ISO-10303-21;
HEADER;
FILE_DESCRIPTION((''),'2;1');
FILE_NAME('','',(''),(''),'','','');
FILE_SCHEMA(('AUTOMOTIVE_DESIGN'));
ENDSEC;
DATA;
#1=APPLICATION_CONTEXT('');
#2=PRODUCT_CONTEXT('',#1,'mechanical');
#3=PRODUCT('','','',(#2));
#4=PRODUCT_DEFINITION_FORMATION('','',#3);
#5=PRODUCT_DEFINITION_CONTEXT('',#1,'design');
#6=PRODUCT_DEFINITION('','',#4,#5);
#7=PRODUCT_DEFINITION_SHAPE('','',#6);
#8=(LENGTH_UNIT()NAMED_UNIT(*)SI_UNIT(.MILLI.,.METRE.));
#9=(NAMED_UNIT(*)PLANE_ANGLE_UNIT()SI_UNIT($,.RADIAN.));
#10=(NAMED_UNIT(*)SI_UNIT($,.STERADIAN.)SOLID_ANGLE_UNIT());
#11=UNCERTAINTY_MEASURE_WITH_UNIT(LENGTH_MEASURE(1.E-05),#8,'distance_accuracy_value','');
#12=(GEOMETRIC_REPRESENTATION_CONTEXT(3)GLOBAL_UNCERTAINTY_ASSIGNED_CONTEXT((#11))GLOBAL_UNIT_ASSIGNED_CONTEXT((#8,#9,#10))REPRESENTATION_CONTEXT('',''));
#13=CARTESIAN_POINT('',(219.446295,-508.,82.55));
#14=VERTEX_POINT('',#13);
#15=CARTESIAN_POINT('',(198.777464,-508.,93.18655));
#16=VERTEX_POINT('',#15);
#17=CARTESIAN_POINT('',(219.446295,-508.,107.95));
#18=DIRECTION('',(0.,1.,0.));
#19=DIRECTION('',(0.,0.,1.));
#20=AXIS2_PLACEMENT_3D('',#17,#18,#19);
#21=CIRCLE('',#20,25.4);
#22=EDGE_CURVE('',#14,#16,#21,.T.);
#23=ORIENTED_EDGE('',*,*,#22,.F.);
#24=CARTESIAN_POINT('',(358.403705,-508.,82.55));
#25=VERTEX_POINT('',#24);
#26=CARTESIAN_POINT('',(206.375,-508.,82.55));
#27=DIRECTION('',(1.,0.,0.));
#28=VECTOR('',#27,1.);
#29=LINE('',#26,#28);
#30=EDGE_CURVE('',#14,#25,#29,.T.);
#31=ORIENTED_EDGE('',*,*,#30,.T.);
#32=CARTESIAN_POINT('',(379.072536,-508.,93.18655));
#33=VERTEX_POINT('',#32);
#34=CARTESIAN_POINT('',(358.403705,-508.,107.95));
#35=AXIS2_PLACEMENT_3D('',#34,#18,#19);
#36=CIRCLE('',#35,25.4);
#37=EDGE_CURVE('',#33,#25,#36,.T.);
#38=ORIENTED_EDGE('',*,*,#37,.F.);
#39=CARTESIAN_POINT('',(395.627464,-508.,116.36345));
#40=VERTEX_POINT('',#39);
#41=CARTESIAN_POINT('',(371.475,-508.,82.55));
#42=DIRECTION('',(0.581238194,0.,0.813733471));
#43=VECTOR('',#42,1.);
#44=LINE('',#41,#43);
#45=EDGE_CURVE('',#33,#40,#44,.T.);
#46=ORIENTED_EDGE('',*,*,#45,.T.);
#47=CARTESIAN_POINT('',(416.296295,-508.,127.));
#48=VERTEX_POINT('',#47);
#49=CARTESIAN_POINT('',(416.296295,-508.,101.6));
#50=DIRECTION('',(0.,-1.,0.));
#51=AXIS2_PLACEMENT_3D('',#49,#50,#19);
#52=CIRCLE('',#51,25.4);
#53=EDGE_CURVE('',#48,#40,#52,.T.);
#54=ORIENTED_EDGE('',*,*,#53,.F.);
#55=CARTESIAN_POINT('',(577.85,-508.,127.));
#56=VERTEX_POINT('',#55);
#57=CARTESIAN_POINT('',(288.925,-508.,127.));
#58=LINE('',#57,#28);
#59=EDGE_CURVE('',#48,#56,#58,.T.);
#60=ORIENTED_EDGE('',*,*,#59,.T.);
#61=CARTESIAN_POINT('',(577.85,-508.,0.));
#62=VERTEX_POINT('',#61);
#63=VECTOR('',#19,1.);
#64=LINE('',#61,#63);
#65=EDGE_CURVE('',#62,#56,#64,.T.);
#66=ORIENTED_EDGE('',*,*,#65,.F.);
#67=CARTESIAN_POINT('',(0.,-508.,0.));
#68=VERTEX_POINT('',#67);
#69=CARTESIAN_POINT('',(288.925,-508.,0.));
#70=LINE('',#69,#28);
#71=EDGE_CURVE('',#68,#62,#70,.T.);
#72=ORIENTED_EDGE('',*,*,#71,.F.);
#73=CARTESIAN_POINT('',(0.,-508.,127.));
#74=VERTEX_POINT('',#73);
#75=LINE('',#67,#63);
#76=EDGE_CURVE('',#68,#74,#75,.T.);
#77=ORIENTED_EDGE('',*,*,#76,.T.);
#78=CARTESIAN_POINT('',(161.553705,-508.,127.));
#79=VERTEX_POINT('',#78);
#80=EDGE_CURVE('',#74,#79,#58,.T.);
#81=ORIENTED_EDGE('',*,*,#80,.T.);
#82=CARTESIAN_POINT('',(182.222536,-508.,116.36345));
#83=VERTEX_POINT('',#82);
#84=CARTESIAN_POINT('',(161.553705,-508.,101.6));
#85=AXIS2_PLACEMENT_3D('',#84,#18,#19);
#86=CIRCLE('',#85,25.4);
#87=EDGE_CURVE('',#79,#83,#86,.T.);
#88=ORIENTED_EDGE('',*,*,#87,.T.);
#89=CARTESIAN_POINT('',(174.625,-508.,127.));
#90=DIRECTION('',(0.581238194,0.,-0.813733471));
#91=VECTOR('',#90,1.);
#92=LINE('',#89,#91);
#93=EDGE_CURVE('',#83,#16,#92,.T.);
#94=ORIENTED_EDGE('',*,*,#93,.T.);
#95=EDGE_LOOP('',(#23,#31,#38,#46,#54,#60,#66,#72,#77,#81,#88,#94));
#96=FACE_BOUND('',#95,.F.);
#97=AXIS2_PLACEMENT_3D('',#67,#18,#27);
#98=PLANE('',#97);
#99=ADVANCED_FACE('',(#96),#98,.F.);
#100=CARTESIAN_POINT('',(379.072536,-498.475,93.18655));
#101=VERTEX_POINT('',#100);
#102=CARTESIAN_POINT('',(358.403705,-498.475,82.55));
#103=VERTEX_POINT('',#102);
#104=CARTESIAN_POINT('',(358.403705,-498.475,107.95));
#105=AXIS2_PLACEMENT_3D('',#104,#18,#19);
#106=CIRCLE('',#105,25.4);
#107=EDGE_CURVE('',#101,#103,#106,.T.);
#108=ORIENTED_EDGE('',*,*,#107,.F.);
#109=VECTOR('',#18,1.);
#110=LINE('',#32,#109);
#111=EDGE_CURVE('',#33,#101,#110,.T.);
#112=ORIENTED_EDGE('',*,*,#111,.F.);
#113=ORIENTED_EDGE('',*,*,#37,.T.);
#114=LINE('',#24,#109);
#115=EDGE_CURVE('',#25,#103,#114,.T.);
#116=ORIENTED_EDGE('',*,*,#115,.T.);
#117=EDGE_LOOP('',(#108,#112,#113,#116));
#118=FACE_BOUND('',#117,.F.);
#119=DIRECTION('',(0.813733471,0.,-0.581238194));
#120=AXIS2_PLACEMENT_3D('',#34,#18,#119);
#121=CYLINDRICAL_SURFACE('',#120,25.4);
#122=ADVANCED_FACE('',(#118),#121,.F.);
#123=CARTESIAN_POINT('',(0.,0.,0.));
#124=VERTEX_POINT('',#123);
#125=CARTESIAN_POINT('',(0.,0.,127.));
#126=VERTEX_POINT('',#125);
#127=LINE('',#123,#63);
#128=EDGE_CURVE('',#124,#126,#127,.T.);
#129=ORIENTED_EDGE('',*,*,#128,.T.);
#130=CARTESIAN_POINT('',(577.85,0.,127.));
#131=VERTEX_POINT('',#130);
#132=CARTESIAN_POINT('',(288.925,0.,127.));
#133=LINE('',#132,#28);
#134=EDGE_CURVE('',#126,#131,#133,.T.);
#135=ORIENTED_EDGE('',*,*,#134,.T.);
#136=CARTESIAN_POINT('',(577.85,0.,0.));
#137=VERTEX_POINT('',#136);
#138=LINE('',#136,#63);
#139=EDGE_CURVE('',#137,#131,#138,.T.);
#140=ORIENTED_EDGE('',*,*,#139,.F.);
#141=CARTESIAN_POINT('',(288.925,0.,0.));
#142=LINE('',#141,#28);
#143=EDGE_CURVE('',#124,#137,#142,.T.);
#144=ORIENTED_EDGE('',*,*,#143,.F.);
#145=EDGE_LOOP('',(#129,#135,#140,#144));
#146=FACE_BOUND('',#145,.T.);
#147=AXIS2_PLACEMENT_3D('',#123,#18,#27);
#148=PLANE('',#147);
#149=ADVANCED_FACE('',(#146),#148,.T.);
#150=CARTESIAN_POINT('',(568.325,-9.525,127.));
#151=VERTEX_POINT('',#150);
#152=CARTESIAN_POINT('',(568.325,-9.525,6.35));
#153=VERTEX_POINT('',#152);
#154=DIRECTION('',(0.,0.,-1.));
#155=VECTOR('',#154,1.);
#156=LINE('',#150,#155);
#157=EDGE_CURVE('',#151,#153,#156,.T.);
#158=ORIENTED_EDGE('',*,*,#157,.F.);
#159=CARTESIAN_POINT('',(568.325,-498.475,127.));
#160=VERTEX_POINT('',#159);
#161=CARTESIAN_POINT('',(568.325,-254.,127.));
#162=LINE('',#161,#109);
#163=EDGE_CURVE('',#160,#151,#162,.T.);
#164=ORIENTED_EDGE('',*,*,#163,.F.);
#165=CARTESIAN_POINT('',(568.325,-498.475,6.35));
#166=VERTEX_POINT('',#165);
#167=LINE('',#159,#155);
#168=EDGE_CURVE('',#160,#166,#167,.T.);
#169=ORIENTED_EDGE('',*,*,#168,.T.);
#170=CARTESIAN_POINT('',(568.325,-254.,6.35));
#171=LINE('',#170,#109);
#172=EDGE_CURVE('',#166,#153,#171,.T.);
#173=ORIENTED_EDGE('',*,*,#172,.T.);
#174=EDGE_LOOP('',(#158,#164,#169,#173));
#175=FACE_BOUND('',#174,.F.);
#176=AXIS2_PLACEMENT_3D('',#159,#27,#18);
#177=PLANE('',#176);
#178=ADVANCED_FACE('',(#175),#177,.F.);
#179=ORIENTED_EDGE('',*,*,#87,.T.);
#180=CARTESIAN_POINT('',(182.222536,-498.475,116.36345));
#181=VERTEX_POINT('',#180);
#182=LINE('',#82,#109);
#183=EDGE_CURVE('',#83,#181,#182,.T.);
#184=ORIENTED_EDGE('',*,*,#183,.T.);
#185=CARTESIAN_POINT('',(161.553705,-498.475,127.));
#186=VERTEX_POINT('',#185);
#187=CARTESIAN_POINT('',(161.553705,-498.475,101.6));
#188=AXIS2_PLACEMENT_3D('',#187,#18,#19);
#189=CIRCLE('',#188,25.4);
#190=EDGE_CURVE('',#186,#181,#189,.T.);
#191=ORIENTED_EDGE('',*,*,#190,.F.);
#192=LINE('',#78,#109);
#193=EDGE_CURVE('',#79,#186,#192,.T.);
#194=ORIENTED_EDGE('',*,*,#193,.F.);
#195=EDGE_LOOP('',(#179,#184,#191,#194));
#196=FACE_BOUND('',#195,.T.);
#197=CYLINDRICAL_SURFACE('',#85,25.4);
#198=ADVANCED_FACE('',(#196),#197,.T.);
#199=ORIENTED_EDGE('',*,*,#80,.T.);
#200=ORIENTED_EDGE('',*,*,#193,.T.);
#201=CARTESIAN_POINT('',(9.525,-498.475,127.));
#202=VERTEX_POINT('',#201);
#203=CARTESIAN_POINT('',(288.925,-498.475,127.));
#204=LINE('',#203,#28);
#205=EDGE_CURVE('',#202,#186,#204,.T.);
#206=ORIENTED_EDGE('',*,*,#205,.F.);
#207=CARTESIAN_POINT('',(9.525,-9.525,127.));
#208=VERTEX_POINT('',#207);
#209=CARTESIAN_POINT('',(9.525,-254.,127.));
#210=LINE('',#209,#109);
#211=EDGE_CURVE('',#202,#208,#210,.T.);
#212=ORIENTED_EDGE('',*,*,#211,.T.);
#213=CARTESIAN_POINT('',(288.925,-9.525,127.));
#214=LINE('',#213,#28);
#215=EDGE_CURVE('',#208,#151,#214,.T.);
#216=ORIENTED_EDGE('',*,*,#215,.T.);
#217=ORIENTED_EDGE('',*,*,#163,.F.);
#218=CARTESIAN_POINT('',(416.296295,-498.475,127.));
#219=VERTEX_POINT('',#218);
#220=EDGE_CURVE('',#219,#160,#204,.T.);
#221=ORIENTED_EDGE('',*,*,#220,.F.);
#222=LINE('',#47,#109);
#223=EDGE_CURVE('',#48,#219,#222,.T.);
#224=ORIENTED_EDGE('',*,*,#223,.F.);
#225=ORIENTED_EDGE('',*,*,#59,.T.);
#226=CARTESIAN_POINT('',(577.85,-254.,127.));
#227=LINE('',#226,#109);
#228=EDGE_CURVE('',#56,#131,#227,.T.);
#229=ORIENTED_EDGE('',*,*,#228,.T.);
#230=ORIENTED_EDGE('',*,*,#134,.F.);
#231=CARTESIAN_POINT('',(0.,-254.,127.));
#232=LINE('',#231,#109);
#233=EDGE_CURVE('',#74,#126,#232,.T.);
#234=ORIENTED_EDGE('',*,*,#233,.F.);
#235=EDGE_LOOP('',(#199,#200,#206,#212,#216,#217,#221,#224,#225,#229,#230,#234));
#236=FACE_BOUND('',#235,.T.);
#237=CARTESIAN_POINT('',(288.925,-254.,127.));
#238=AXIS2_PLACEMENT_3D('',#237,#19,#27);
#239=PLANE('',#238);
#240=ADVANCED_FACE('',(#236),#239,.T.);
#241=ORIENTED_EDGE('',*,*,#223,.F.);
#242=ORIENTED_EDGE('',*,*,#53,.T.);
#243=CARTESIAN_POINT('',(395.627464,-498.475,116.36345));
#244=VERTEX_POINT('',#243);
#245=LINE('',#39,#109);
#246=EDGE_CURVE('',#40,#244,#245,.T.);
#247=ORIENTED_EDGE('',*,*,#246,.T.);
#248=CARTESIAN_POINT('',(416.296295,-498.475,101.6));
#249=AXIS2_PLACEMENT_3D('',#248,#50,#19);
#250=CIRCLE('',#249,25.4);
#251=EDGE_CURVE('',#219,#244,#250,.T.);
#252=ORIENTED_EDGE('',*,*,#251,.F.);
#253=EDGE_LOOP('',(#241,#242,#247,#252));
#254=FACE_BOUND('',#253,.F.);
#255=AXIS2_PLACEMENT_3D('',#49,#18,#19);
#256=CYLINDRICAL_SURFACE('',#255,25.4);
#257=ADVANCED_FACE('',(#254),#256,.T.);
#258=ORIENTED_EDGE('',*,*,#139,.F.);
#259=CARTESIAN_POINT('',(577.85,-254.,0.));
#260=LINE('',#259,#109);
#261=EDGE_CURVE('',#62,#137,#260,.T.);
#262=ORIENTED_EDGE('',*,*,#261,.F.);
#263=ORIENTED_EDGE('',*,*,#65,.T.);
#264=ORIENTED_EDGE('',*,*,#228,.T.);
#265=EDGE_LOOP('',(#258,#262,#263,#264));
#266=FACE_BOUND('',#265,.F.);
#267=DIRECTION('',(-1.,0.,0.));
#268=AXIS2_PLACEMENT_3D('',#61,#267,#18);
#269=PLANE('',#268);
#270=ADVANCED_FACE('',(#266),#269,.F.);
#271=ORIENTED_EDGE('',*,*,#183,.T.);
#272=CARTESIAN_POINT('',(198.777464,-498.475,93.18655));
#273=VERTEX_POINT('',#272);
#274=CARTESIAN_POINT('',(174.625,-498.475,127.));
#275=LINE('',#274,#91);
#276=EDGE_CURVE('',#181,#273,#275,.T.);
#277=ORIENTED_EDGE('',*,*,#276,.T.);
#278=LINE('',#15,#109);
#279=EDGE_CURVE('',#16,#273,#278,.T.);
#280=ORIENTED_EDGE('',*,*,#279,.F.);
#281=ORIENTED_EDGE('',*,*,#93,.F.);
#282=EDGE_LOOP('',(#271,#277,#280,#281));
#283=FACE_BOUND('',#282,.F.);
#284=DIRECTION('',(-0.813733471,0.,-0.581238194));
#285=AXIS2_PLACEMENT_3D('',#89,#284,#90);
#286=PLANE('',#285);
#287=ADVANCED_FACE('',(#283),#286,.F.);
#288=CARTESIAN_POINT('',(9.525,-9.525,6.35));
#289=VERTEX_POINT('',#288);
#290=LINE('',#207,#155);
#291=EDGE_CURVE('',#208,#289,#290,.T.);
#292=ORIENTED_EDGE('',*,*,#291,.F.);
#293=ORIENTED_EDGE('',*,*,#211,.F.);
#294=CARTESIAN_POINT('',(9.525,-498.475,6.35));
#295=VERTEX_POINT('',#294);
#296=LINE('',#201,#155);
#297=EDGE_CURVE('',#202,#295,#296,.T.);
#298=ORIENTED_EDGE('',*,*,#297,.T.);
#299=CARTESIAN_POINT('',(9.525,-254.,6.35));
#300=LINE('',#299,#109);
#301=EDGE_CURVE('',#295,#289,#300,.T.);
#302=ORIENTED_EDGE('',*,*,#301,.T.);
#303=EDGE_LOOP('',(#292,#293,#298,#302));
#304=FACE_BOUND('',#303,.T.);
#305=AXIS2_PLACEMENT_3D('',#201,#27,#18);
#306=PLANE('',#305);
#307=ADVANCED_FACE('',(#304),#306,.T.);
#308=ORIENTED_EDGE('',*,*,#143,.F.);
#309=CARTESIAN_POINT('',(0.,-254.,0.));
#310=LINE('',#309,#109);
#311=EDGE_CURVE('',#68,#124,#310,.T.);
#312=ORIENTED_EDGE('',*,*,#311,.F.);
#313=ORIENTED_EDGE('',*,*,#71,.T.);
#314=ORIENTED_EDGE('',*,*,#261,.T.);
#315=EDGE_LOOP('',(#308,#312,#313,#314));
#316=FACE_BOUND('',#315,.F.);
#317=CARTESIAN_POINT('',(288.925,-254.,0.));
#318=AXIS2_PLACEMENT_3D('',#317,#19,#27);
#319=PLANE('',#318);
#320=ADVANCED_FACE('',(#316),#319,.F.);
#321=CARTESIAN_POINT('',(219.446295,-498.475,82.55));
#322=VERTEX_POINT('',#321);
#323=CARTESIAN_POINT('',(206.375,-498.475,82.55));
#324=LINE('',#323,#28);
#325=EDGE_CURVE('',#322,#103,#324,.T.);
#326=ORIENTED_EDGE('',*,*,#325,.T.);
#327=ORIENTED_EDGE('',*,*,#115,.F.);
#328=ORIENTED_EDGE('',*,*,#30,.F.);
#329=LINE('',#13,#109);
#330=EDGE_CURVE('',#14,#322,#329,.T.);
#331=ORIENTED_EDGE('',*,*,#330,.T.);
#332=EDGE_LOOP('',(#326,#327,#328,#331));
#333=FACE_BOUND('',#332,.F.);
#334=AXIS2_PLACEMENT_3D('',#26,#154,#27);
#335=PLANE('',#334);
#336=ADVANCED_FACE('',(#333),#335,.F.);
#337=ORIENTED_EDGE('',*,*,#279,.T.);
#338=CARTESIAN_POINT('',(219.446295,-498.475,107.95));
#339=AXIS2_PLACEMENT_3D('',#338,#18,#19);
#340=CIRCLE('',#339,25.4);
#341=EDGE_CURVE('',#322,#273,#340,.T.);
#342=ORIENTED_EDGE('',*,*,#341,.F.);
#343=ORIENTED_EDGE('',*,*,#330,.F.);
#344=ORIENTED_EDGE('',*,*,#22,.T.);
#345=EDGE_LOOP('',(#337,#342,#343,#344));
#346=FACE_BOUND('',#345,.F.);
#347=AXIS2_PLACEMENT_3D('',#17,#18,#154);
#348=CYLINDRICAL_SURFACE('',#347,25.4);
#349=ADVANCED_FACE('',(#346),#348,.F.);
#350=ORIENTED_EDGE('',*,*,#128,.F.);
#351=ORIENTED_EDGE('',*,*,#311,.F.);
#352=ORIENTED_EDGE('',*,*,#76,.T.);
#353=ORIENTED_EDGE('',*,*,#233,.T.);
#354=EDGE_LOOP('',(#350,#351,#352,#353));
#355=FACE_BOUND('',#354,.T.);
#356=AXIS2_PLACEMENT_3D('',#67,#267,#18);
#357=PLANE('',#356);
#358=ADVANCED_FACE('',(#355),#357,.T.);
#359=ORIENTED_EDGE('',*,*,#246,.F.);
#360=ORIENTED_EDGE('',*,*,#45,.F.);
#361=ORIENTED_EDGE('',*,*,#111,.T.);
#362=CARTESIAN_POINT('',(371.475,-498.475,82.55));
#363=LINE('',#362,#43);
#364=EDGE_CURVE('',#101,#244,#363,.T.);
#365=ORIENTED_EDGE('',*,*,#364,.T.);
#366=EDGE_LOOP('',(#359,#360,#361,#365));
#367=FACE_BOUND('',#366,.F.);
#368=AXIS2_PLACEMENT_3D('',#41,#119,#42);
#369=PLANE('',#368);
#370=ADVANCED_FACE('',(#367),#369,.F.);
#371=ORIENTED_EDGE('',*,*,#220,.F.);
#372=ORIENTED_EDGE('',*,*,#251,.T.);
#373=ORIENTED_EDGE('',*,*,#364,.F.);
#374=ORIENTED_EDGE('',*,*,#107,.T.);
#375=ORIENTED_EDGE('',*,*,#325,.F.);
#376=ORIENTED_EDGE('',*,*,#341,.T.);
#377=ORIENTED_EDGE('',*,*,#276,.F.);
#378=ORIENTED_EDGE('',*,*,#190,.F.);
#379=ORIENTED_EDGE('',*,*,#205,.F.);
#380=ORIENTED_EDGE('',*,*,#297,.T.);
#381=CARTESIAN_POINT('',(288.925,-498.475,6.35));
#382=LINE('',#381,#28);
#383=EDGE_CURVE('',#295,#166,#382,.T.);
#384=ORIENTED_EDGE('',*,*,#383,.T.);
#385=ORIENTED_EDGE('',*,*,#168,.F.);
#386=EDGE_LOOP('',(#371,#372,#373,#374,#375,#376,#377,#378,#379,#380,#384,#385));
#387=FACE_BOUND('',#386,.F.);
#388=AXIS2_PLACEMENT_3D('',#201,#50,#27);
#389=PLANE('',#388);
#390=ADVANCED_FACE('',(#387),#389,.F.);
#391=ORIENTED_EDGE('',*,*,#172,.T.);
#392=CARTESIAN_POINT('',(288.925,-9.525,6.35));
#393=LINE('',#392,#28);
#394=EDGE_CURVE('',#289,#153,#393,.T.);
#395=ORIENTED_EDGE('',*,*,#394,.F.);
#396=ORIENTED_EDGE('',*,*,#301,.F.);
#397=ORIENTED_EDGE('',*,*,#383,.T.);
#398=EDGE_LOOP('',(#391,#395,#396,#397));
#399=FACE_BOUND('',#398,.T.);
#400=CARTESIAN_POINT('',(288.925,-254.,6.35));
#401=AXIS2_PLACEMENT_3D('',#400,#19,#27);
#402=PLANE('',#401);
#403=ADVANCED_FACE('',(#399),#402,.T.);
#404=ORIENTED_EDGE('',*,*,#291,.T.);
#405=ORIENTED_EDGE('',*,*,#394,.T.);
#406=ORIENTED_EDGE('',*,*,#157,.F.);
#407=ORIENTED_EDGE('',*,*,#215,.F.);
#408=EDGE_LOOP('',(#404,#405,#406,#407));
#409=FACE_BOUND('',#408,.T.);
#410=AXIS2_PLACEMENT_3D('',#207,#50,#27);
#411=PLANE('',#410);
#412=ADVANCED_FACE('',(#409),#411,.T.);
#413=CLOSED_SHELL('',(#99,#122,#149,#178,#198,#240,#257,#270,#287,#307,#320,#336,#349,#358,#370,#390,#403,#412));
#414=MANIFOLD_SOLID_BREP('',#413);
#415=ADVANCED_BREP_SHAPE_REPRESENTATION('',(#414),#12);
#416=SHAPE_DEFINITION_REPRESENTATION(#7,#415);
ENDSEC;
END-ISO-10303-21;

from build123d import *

# Parameters (mm, degrees)
F0_W     = 577.85
F0_H     = 508
F1_DEPTH = 127
F2_W     = 558.8
F2_H     = 488.95
F3_DEPTH = 120.65
F5_DEPTH = 9.525
F6_R     = 25.4


with BuildPart() as f1:
    # F0 (on Top) → F1 (new body)
    with BuildSketch(Plane.XY):
        with Locations((288.925, -254)):
            Rectangle(F0_W, F0_H)
    extrude(amount=F1_DEPTH)

    # F2 (on face) → F3 (cut)
    with BuildSketch(Plane.XY.offset(127)):
        with Locations((288.925, -254)):
            Rectangle(F2_W, F2_H)
    extrude(amount=-F3_DEPTH, mode=Mode.SUBTRACT)

    # F4 (on face) → F5 (cut, through all)
    with BuildSketch(Plane.XZ.offset(508)):
        Polygon((403.225, 127), (174.625, 127), (206.375, 82.55), (371.475, 82.55), align=None)
    extrude(amount=-F5_DEPTH, mode=Mode.SUBTRACT)

    # F6
    f6_edges = [f1.edges().sort_by_distance(p)[0] for p in [
        (403.225, -503.2375, 127),
        (371.475, -503.2375, 82.55),
        (174.625, -503.2375, 127),
        (206.375, -503.2375, 82.55),
    ]]
    fillet(f6_edges, radius=F6_R)


solid = f1.part
